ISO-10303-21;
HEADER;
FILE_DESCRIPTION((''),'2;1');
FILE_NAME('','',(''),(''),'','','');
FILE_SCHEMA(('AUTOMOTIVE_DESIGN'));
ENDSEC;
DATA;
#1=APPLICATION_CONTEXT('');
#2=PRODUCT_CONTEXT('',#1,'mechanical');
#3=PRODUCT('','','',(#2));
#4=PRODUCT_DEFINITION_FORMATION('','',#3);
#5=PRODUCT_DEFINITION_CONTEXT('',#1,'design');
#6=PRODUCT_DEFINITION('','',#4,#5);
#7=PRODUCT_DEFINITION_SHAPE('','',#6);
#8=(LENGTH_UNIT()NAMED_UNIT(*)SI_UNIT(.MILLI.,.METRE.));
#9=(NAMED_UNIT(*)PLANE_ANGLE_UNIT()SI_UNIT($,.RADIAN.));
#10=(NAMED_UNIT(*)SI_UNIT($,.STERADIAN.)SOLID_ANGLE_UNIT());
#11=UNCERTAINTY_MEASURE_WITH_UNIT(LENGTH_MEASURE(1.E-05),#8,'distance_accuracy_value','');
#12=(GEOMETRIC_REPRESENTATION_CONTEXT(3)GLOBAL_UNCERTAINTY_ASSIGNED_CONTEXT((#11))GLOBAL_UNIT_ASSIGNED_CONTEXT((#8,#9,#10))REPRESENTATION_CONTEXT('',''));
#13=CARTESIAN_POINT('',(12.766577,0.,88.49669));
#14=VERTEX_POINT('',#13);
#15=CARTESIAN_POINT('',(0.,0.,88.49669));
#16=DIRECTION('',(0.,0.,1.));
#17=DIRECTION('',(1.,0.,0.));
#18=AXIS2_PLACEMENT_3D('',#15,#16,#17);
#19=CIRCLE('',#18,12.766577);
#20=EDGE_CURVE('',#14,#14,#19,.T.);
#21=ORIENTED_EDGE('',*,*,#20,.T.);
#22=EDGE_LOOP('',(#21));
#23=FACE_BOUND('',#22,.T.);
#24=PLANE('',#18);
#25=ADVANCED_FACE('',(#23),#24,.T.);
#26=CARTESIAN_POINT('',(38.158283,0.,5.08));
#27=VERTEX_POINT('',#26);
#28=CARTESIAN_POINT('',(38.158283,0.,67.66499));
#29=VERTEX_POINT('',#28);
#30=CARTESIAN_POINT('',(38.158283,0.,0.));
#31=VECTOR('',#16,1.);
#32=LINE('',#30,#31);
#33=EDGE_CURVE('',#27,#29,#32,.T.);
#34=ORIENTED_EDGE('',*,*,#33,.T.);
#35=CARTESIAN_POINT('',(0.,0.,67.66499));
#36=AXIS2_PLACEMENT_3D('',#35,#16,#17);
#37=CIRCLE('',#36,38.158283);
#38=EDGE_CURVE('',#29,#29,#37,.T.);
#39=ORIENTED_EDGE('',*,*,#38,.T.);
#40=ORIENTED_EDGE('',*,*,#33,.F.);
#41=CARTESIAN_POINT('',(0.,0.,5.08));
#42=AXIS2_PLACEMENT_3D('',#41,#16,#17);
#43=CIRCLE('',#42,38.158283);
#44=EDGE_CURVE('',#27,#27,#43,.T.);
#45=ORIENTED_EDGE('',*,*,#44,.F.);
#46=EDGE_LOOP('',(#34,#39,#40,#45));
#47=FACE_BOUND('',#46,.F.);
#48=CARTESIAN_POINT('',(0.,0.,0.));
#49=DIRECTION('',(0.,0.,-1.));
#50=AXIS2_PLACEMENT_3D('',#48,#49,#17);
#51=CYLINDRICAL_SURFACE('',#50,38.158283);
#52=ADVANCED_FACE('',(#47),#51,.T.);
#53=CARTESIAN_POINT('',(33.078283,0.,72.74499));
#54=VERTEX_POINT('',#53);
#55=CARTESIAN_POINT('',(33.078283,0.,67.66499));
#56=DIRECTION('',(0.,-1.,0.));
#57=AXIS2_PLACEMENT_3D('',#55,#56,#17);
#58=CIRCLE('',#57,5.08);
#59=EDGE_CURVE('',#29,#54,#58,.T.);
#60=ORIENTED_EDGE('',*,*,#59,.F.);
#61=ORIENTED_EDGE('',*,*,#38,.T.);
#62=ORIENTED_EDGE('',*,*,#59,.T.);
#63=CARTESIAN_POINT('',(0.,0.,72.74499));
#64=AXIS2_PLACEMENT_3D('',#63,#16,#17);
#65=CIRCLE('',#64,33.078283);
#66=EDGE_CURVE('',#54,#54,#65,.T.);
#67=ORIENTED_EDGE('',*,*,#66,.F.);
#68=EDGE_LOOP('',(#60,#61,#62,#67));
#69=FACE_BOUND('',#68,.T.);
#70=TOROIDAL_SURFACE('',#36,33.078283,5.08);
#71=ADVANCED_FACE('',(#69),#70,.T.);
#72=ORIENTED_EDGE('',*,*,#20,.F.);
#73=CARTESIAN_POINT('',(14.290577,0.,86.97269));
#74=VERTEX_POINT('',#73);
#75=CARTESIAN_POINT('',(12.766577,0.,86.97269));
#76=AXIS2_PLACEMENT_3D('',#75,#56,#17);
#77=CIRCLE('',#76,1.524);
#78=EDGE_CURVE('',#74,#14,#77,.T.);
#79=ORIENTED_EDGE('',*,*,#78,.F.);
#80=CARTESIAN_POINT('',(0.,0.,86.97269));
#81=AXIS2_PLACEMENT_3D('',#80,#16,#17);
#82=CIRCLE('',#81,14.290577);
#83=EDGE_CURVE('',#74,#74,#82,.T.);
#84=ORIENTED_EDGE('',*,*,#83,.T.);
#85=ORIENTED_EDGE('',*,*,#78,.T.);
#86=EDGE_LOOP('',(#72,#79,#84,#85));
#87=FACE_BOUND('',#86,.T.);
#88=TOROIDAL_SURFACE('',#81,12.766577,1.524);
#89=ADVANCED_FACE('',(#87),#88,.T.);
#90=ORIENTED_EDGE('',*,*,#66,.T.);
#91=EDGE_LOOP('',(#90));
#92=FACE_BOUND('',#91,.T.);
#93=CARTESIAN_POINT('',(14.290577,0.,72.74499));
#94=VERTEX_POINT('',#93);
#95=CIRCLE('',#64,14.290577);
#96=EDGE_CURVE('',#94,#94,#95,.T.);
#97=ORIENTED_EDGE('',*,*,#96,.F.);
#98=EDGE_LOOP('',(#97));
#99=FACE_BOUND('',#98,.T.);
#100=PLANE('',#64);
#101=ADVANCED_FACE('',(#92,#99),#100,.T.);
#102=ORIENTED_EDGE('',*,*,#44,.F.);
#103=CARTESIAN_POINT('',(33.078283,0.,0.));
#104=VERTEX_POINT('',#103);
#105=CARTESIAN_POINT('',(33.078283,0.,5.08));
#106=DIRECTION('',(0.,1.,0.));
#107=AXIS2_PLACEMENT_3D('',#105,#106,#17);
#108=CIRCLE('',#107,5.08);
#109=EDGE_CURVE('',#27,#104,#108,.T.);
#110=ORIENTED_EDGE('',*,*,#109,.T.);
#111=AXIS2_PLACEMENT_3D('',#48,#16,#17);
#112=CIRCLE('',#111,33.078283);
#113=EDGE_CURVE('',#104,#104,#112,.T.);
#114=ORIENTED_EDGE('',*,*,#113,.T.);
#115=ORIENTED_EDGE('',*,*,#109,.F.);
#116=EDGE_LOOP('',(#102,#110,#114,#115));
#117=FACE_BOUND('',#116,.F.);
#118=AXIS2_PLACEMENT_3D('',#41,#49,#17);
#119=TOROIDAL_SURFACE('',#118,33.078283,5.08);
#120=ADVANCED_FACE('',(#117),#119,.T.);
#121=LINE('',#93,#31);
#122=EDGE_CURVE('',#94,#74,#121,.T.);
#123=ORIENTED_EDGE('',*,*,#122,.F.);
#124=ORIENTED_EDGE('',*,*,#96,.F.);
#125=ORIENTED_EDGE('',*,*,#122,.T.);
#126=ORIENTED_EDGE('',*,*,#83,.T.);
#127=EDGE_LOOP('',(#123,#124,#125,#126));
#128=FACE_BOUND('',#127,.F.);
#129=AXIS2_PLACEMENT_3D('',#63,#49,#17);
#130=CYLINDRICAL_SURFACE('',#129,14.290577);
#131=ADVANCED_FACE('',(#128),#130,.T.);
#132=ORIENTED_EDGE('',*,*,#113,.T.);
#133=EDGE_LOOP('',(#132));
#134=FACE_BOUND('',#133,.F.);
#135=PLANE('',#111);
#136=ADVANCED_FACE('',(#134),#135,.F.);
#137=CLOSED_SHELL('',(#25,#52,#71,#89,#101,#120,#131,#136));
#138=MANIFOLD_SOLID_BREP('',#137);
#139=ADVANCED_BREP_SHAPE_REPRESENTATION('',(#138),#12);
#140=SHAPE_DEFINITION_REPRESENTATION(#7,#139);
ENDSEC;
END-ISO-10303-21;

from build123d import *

# Parameters (mm, degrees)
F0_R     = 38.158283
F1_DEPTH = 72.74499
F2_R     = 5.08
F3_R     = 14.290577
F4_DEPTH = 15.7517
F5_R     = 1.524


with BuildPart() as f1:
    # F0 (on Top) → F1 (new body)
    with BuildSketch(Plane.XY):
        Circle(F0_R)
    extrude(amount=F1_DEPTH)

    # F2
    f2_edges = [f1.edges().sort_by_distance(p)[0] for p in [
        (-38.158283, 0, 72.74499),
        (-38.158283, 0, 0),
    ]]
    fillet(f2_edges, radius=F2_R)

    # F3 (on face) → F4 (join)
    with BuildSketch(Plane.XY.offset(72.74499)):
        Circle(F3_R)
    extrude(amount=F4_DEPTH)

    # F5
    f5_edges = [f1.edges().sort_by_distance(p)[0] for p in [
        (-14.290577, 0, 88.49669),
    ]]
    fillet(f5_edges, radius=F5_R)


solid = f1.part
